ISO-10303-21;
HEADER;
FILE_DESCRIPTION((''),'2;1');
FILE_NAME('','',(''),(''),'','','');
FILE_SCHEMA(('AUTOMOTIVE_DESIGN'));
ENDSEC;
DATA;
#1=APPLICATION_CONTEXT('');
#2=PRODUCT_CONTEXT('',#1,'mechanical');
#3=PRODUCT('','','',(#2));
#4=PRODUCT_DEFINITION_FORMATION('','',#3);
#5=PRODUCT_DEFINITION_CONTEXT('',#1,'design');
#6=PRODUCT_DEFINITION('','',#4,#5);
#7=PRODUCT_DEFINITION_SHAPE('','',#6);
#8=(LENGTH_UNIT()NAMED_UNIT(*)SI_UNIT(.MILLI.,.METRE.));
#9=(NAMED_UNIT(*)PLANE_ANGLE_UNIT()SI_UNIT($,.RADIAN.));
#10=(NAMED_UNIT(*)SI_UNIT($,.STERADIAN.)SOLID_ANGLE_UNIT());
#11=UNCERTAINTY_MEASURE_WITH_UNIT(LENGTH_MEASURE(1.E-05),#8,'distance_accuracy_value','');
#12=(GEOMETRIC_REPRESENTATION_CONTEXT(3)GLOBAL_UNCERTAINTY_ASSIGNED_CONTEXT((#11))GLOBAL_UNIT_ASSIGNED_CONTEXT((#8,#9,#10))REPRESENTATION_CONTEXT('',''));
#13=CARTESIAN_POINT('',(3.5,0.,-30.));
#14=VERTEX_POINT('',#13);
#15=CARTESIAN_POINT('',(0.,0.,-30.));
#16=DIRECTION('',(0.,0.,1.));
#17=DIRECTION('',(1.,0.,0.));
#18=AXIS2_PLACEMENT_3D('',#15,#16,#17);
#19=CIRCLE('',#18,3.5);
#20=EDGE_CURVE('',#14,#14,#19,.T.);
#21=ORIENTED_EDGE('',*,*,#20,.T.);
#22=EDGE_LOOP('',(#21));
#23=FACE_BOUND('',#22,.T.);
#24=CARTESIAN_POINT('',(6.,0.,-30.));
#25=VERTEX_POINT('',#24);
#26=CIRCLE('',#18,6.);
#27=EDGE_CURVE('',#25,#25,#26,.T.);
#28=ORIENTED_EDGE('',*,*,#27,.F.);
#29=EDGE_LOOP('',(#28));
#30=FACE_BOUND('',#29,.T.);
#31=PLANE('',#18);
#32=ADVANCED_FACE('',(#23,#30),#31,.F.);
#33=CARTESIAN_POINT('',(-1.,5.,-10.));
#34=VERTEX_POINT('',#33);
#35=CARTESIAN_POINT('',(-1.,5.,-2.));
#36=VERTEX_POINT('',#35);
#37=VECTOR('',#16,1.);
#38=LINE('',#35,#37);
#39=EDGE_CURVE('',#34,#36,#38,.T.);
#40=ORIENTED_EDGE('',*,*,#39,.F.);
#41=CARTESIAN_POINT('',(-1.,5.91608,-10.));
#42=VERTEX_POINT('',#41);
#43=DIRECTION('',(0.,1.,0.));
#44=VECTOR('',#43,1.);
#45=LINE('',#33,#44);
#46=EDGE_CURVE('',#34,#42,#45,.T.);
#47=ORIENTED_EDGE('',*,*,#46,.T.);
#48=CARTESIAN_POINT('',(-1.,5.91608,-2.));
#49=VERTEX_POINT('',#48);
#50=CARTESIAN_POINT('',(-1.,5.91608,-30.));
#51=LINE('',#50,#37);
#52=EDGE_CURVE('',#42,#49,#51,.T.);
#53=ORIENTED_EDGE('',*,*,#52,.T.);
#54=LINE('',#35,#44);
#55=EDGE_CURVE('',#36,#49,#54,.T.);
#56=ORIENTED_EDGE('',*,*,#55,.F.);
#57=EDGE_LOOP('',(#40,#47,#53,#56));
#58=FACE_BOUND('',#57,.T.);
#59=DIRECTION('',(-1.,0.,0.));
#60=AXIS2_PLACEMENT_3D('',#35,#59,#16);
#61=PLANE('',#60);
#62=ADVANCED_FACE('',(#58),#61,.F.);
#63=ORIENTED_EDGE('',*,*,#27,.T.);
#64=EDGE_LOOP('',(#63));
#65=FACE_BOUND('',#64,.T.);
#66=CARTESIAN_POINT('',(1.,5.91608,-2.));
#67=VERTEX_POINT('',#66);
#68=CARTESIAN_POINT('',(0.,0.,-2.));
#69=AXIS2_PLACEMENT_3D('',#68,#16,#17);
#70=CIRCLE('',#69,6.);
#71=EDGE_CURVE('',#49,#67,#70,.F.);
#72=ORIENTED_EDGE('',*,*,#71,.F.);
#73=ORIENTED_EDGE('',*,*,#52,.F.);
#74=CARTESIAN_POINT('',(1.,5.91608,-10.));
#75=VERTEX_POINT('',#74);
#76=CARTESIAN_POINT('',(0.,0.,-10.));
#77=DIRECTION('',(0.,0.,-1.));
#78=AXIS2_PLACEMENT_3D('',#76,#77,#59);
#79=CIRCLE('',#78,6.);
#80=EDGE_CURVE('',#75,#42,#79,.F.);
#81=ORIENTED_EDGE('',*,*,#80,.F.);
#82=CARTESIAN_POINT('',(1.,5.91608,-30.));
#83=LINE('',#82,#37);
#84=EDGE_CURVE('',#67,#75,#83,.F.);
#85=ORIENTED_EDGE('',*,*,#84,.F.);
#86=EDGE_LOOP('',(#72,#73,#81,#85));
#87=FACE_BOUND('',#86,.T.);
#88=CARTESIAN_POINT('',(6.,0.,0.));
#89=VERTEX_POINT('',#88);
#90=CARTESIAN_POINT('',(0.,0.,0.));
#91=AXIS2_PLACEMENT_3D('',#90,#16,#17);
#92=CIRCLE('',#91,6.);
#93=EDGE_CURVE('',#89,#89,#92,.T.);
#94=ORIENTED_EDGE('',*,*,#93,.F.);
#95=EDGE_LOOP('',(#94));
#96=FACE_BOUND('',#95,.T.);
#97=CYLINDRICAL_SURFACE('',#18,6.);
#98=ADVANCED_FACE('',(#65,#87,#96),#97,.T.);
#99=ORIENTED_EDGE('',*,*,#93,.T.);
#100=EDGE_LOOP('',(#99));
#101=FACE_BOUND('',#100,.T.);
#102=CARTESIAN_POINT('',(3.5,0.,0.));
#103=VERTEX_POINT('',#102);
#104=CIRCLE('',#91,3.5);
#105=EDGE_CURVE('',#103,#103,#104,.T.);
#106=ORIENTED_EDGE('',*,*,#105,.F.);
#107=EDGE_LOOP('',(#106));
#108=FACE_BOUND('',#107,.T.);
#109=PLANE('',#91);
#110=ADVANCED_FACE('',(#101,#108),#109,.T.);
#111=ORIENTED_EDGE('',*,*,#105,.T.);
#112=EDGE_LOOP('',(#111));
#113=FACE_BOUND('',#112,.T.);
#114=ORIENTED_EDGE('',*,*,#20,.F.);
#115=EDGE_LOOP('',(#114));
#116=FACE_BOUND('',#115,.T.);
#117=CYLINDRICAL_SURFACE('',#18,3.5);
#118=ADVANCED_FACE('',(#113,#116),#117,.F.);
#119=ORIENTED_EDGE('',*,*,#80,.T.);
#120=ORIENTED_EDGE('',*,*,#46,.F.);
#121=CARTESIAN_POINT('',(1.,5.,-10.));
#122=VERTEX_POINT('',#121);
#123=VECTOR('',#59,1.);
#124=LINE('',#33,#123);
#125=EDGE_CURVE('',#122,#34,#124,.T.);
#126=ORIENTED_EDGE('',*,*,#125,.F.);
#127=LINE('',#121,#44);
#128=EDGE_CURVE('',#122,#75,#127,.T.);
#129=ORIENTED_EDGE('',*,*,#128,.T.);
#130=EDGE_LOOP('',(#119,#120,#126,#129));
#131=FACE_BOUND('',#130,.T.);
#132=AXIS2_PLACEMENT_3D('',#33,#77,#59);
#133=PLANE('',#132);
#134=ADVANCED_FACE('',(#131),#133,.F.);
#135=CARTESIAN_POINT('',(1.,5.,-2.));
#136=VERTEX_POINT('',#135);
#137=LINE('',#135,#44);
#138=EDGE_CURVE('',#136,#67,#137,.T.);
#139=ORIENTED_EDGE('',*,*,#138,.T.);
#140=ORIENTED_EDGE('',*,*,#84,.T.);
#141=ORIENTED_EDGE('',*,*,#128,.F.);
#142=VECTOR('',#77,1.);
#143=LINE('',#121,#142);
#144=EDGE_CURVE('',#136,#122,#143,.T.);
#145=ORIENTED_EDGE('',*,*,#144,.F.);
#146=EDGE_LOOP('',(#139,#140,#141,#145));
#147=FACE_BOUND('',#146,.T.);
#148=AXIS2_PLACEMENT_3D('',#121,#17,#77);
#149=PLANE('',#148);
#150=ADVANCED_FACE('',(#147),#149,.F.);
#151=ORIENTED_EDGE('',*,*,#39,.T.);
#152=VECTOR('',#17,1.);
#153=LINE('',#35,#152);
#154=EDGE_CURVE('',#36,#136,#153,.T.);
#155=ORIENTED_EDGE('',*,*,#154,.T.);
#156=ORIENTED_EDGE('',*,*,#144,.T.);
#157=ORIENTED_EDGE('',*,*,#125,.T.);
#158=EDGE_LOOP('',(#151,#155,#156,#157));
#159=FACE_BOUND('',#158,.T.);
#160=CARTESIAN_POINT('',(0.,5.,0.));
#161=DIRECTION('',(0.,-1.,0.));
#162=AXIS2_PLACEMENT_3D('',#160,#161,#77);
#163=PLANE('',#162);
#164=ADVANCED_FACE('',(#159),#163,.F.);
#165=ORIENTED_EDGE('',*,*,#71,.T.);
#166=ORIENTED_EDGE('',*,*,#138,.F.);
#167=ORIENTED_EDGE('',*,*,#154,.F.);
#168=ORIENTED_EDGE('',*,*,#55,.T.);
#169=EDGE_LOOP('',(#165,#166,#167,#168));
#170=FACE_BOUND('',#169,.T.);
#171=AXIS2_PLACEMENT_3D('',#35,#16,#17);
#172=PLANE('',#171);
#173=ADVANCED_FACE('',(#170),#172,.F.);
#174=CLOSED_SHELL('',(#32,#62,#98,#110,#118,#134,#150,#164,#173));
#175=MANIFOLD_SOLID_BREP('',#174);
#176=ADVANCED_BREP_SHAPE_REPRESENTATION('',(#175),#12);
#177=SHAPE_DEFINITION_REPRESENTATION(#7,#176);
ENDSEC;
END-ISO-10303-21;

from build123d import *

# Parameters (mm, degrees)
SKETCH1_R           = 6
SKETCH1_R_2         = 3.5
BOSS_EXTRUDE1_DEPTH = 30
SKETCH3_W           = 2
SKETCH3_H           = 8
CUT_EXTRUDE1_DEPTH  = 1


with BuildPart() as part:
    # Sketch1 → Boss-Extrude1 (new body)
    with BuildSketch(Plane.XY):
        Circle(SKETCH1_R)
        Circle(SKETCH1_R_2, mode=Mode.SUBTRACT)
    extrude(amount=-BOSS_EXTRUDE1_DEPTH)

    # Sketch3 → Cut-Extrude1 (cut)
    with BuildSketch(Plane(origin=(0, 6, 0), x_dir=(1, 0, 0), z_dir=(0, 1, 0))):
        with Locations((0, 6)):
            Rectangle(SKETCH3_W, SKETCH3_H)
    extrude(amount=-CUT_EXTRUDE1_DEPTH, mode=Mode.SUBTRACT)


solid = part.part
